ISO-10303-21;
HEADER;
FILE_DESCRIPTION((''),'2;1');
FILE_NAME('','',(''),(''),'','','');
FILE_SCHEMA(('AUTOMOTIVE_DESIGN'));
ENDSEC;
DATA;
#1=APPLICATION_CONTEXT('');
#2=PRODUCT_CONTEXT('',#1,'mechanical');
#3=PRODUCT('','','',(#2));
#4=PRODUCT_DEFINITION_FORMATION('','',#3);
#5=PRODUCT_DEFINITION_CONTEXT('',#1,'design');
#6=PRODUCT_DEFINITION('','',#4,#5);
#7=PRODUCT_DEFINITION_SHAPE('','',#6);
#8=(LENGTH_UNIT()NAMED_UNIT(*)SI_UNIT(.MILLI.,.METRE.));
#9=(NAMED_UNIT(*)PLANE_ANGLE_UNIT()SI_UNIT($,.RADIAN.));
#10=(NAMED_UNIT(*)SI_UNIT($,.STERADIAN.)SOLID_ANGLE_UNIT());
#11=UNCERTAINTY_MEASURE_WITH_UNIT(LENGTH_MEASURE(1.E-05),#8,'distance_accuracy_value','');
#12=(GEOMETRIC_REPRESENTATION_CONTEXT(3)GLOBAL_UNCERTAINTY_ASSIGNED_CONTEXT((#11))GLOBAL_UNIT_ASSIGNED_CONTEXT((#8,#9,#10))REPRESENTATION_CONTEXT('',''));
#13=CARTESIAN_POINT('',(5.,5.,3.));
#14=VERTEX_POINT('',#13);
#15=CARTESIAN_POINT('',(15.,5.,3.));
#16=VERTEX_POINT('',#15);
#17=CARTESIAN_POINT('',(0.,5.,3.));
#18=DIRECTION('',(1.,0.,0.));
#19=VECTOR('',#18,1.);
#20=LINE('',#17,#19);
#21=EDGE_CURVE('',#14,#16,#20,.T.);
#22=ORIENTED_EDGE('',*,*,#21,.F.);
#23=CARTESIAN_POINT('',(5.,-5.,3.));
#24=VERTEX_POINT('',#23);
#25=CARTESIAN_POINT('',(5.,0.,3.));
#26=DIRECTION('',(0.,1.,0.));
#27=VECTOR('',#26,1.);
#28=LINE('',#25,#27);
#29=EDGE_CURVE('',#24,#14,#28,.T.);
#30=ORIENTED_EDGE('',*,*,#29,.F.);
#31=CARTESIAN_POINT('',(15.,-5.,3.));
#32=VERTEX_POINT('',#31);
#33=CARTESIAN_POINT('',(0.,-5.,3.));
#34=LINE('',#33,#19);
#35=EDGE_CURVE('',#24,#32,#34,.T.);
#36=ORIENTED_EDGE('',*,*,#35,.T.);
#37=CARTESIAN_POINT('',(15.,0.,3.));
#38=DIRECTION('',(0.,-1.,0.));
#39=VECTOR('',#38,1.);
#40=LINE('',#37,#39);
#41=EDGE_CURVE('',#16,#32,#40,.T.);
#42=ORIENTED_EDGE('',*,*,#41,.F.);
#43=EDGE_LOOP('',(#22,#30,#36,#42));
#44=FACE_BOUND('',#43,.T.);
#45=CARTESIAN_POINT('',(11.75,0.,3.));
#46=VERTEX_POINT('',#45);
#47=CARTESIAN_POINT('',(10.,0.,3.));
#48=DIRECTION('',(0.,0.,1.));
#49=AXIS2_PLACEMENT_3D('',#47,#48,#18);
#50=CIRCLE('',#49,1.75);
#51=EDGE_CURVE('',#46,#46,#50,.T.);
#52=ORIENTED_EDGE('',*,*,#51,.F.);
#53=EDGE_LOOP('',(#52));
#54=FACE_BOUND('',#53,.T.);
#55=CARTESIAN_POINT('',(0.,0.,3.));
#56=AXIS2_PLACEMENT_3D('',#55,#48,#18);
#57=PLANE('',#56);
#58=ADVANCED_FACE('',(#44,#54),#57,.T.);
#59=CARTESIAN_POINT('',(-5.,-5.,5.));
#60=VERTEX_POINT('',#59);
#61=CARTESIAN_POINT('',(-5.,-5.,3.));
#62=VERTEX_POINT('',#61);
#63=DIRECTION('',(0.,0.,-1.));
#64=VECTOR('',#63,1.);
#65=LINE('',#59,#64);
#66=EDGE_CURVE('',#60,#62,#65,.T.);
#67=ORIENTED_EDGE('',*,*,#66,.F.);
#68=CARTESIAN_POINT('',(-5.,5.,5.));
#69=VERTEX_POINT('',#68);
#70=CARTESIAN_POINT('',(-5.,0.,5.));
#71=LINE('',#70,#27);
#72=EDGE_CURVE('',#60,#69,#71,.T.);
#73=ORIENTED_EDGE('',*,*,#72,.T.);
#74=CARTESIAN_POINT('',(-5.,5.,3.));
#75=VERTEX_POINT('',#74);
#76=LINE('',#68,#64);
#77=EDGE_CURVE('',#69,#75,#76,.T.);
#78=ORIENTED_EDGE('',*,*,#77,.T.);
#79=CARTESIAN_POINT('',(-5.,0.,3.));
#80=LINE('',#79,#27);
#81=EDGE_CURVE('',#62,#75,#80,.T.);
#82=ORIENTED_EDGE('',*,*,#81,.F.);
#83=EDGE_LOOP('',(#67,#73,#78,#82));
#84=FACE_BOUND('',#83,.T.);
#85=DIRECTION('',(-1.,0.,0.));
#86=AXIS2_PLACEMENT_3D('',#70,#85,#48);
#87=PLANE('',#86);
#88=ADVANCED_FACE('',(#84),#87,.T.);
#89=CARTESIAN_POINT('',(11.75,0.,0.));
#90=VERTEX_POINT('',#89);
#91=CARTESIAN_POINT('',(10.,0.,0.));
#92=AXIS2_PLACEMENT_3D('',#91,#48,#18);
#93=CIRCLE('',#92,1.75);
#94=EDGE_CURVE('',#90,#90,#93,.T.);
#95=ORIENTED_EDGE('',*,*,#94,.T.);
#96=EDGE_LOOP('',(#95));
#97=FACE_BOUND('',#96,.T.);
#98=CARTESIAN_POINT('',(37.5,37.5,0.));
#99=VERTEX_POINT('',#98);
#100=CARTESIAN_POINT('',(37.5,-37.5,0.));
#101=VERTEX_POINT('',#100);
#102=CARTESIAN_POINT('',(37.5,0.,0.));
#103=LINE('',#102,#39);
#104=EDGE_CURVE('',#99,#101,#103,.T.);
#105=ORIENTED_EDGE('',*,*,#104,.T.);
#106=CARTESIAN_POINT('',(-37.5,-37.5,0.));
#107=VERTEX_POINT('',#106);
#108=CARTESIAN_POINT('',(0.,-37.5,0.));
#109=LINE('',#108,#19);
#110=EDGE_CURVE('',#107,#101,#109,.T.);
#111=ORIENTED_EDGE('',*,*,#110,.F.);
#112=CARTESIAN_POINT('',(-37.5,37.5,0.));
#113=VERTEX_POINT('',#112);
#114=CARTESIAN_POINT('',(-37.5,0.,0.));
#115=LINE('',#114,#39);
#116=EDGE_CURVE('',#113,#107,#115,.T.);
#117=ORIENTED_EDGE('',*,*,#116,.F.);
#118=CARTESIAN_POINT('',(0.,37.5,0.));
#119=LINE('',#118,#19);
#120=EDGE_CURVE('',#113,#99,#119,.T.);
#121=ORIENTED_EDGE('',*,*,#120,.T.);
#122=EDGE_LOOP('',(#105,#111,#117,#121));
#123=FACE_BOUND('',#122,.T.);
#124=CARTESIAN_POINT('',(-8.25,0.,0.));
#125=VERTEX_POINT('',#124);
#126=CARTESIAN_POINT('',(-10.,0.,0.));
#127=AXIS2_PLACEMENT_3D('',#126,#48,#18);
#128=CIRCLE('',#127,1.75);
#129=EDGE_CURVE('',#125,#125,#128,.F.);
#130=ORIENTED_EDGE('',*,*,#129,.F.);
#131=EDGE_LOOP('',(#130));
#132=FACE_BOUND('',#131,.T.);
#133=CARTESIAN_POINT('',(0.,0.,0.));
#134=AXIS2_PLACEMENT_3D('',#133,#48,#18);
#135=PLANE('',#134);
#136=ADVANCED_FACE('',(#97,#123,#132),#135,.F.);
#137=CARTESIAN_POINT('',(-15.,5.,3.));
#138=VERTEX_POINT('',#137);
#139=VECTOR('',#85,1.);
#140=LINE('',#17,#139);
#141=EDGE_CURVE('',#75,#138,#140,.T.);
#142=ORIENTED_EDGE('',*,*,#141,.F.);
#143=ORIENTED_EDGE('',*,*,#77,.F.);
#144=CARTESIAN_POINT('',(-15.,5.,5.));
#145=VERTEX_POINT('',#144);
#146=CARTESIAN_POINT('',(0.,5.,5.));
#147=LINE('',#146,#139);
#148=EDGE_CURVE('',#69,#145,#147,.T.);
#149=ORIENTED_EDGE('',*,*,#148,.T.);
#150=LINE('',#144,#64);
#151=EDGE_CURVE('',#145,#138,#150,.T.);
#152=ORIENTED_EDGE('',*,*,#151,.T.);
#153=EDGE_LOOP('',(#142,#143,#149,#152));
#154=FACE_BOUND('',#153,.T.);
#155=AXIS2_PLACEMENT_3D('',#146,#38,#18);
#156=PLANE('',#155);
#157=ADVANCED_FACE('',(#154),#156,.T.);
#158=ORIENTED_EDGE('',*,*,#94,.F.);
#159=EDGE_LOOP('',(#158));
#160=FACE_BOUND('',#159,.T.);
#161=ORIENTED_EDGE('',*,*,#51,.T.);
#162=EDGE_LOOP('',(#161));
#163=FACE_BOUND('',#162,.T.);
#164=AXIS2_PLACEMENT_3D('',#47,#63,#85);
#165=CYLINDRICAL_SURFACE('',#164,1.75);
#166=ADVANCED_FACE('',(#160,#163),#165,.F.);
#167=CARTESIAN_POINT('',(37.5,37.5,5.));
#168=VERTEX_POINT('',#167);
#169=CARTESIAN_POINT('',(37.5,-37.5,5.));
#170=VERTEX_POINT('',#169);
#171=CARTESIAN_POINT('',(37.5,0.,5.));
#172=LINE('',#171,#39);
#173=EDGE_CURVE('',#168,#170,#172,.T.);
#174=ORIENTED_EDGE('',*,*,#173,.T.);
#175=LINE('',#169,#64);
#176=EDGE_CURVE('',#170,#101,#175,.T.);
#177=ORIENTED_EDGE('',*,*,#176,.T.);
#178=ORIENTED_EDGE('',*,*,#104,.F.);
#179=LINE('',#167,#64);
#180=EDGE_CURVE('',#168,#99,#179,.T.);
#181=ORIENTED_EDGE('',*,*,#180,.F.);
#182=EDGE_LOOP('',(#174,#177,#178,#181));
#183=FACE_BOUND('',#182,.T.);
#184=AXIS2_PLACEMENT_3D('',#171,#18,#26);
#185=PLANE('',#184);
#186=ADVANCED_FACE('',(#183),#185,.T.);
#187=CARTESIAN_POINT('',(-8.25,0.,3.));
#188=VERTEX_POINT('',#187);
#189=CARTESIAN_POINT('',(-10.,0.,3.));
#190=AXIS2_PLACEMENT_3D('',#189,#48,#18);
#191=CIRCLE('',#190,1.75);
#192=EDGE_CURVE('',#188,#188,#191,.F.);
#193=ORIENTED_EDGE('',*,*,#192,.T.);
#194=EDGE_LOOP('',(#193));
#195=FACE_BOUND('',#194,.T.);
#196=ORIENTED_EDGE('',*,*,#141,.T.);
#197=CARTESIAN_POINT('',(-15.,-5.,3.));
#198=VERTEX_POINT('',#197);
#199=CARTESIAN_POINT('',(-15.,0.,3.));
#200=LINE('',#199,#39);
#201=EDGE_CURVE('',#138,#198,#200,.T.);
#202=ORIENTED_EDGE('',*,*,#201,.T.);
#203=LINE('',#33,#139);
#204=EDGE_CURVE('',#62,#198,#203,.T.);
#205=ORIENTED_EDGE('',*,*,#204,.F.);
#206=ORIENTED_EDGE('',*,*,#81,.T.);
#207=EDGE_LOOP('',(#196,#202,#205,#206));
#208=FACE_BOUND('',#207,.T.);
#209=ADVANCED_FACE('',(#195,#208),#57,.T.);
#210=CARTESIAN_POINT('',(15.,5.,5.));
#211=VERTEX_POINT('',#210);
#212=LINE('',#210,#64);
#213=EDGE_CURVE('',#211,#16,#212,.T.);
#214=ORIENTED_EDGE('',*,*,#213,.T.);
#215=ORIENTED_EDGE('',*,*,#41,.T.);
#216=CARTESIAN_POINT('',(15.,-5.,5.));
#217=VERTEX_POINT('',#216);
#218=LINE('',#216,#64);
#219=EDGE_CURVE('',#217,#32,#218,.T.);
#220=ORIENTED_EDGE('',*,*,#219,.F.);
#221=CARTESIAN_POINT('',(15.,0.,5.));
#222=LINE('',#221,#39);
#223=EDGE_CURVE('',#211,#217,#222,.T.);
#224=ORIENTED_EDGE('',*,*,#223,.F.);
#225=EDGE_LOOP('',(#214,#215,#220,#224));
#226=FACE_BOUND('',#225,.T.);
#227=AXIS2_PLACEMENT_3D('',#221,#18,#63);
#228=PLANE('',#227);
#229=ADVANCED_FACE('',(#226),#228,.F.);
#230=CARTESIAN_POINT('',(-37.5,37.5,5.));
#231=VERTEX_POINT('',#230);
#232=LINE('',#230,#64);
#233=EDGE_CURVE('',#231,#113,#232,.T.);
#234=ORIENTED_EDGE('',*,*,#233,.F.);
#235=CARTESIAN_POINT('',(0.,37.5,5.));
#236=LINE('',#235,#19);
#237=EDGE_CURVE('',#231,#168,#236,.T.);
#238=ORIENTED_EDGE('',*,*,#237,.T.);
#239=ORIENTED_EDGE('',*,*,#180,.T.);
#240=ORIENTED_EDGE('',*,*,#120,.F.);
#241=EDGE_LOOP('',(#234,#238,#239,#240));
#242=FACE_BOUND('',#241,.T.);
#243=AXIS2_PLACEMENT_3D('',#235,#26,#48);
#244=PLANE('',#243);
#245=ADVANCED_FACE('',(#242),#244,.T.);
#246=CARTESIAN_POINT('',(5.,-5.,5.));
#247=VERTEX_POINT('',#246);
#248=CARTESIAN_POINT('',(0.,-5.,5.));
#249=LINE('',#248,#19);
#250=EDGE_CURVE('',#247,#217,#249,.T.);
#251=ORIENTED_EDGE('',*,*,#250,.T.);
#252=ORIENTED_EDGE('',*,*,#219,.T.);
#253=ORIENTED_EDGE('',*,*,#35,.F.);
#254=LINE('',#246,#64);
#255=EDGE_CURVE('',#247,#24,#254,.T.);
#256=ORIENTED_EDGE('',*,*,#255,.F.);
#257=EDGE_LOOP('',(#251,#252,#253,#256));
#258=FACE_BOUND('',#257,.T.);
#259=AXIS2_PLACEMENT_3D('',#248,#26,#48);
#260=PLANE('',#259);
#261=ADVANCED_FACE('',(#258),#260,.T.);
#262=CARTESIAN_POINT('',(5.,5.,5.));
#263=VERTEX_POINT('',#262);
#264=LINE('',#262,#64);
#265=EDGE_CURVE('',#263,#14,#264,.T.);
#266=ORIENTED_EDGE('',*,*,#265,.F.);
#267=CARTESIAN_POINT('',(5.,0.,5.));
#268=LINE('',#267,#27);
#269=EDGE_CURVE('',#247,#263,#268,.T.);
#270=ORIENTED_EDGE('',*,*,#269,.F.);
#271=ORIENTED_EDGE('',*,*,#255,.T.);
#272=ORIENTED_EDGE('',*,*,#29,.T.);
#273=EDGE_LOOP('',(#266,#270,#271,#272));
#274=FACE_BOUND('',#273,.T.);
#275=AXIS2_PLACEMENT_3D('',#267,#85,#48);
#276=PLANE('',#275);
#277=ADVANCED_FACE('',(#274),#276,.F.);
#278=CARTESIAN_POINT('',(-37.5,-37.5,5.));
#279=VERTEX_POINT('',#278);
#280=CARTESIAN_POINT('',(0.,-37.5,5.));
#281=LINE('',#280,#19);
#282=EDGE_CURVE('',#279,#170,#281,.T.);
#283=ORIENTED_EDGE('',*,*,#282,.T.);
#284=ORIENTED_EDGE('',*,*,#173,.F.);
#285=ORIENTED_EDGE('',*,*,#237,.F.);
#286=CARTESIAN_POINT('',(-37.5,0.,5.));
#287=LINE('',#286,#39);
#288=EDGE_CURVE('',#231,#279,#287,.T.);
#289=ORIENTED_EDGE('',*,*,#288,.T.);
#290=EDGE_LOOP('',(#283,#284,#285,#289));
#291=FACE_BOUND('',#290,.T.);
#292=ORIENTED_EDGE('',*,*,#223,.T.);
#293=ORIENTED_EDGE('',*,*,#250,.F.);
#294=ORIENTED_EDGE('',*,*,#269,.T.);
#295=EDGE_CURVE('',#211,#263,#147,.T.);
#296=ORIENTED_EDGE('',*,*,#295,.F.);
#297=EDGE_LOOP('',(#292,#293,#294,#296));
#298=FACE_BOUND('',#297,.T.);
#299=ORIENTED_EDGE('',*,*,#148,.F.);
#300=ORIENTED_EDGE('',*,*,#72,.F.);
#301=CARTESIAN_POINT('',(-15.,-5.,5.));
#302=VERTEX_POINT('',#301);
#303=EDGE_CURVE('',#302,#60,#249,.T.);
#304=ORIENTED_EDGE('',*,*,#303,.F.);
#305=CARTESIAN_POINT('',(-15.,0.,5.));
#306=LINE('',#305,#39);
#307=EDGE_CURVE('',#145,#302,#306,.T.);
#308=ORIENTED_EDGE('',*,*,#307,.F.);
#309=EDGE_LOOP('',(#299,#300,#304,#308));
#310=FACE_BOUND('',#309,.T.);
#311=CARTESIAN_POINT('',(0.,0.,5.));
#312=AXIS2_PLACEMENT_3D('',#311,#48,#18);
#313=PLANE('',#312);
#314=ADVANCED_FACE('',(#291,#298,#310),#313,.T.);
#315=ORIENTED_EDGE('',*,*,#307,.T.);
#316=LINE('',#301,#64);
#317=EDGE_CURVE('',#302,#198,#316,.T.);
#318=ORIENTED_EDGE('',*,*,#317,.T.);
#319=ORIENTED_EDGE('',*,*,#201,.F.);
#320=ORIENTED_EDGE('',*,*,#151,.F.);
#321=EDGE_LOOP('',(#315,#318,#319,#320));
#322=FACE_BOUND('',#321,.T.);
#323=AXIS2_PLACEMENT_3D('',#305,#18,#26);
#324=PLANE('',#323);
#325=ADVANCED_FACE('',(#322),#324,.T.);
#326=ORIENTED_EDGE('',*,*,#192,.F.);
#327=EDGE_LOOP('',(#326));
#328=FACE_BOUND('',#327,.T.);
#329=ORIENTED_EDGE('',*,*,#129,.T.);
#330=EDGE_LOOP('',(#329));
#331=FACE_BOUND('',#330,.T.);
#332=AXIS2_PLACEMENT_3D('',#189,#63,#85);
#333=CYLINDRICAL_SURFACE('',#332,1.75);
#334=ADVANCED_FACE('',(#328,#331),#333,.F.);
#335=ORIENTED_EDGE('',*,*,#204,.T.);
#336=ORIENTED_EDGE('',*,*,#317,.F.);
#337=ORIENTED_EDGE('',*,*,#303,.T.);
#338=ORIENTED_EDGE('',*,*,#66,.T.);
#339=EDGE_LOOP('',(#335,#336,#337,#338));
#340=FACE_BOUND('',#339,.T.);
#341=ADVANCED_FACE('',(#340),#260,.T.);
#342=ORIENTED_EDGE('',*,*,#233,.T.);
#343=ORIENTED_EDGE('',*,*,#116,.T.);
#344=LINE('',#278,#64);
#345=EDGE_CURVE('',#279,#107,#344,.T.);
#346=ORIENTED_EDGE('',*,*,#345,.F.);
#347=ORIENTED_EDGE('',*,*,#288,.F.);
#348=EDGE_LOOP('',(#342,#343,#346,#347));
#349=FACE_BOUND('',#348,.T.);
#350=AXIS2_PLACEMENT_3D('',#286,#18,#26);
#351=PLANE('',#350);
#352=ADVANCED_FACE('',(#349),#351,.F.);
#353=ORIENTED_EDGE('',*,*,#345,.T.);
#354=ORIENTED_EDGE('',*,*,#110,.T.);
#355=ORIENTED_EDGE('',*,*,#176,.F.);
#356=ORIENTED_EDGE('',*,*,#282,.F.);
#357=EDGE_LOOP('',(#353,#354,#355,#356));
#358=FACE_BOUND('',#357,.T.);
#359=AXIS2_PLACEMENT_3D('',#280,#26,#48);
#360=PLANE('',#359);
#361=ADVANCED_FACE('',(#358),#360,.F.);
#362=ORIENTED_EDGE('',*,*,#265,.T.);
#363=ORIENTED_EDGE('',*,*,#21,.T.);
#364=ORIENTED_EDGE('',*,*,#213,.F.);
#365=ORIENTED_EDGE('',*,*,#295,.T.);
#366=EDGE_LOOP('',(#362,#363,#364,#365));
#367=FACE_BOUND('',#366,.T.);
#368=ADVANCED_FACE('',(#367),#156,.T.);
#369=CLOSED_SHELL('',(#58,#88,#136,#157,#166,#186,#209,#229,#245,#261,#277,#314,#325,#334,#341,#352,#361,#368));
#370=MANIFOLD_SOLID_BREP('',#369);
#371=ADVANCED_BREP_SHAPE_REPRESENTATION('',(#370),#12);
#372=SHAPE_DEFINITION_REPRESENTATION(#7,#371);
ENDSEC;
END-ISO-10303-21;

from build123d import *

# Parameters (mm, degrees)
SKETCH_1_W      = 75
SKETCH_1_H      = 75
SKETCH_1_W_2    = 10
SKETCH_1_H_2    = 10
EXTRUDE_1_DEPTH = 5
SKETCH_1_8_W    = 10
SKETCH_1_8_H    = 10
SKETCH_1_8_R    = 1.75
EXTRUDE_2_DEPTH = 3


with BuildPart() as part:
    # 草图1 → 凸台-拉伸1 (new body)
    with BuildSketch(Plane.XY):
        Rectangle(SKETCH_1_W, SKETCH_1_H)
        with Locations((-10, 0)):
            Rectangle(SKETCH_1_W_2, SKETCH_1_H_2, mode=Mode.SUBTRACT)
        with Locations((10, 0)):
            Rectangle(SKETCH_1_W_2, SKETCH_1_H_2, mode=Mode.SUBTRACT)
    extrude(amount=EXTRUDE_1_DEPTH)

    # 草图1<8> → 凸台-拉伸2 (add)
    # profile 1 of 2: a face of its own
    with BuildSketch(Plane.XY):
        with Locations((-10, 0)):
            Rectangle(SKETCH_1_8_W, SKETCH_1_8_H)
        with Locations((-10, 0)):
            Circle(SKETCH_1_8_R, mode=Mode.SUBTRACT)
    # profile 2 of 2: a face of its own
    with BuildSketch(Plane.XY):
        with Locations((10, 0)):
            Rectangle(SKETCH_1_8_W, SKETCH_1_8_H)
        with Locations((10, 0)):
            Circle(SKETCH_1_8_R, mode=Mode.SUBTRACT)
    extrude(amount=EXTRUDE_2_DEPTH)


solid = part.part
